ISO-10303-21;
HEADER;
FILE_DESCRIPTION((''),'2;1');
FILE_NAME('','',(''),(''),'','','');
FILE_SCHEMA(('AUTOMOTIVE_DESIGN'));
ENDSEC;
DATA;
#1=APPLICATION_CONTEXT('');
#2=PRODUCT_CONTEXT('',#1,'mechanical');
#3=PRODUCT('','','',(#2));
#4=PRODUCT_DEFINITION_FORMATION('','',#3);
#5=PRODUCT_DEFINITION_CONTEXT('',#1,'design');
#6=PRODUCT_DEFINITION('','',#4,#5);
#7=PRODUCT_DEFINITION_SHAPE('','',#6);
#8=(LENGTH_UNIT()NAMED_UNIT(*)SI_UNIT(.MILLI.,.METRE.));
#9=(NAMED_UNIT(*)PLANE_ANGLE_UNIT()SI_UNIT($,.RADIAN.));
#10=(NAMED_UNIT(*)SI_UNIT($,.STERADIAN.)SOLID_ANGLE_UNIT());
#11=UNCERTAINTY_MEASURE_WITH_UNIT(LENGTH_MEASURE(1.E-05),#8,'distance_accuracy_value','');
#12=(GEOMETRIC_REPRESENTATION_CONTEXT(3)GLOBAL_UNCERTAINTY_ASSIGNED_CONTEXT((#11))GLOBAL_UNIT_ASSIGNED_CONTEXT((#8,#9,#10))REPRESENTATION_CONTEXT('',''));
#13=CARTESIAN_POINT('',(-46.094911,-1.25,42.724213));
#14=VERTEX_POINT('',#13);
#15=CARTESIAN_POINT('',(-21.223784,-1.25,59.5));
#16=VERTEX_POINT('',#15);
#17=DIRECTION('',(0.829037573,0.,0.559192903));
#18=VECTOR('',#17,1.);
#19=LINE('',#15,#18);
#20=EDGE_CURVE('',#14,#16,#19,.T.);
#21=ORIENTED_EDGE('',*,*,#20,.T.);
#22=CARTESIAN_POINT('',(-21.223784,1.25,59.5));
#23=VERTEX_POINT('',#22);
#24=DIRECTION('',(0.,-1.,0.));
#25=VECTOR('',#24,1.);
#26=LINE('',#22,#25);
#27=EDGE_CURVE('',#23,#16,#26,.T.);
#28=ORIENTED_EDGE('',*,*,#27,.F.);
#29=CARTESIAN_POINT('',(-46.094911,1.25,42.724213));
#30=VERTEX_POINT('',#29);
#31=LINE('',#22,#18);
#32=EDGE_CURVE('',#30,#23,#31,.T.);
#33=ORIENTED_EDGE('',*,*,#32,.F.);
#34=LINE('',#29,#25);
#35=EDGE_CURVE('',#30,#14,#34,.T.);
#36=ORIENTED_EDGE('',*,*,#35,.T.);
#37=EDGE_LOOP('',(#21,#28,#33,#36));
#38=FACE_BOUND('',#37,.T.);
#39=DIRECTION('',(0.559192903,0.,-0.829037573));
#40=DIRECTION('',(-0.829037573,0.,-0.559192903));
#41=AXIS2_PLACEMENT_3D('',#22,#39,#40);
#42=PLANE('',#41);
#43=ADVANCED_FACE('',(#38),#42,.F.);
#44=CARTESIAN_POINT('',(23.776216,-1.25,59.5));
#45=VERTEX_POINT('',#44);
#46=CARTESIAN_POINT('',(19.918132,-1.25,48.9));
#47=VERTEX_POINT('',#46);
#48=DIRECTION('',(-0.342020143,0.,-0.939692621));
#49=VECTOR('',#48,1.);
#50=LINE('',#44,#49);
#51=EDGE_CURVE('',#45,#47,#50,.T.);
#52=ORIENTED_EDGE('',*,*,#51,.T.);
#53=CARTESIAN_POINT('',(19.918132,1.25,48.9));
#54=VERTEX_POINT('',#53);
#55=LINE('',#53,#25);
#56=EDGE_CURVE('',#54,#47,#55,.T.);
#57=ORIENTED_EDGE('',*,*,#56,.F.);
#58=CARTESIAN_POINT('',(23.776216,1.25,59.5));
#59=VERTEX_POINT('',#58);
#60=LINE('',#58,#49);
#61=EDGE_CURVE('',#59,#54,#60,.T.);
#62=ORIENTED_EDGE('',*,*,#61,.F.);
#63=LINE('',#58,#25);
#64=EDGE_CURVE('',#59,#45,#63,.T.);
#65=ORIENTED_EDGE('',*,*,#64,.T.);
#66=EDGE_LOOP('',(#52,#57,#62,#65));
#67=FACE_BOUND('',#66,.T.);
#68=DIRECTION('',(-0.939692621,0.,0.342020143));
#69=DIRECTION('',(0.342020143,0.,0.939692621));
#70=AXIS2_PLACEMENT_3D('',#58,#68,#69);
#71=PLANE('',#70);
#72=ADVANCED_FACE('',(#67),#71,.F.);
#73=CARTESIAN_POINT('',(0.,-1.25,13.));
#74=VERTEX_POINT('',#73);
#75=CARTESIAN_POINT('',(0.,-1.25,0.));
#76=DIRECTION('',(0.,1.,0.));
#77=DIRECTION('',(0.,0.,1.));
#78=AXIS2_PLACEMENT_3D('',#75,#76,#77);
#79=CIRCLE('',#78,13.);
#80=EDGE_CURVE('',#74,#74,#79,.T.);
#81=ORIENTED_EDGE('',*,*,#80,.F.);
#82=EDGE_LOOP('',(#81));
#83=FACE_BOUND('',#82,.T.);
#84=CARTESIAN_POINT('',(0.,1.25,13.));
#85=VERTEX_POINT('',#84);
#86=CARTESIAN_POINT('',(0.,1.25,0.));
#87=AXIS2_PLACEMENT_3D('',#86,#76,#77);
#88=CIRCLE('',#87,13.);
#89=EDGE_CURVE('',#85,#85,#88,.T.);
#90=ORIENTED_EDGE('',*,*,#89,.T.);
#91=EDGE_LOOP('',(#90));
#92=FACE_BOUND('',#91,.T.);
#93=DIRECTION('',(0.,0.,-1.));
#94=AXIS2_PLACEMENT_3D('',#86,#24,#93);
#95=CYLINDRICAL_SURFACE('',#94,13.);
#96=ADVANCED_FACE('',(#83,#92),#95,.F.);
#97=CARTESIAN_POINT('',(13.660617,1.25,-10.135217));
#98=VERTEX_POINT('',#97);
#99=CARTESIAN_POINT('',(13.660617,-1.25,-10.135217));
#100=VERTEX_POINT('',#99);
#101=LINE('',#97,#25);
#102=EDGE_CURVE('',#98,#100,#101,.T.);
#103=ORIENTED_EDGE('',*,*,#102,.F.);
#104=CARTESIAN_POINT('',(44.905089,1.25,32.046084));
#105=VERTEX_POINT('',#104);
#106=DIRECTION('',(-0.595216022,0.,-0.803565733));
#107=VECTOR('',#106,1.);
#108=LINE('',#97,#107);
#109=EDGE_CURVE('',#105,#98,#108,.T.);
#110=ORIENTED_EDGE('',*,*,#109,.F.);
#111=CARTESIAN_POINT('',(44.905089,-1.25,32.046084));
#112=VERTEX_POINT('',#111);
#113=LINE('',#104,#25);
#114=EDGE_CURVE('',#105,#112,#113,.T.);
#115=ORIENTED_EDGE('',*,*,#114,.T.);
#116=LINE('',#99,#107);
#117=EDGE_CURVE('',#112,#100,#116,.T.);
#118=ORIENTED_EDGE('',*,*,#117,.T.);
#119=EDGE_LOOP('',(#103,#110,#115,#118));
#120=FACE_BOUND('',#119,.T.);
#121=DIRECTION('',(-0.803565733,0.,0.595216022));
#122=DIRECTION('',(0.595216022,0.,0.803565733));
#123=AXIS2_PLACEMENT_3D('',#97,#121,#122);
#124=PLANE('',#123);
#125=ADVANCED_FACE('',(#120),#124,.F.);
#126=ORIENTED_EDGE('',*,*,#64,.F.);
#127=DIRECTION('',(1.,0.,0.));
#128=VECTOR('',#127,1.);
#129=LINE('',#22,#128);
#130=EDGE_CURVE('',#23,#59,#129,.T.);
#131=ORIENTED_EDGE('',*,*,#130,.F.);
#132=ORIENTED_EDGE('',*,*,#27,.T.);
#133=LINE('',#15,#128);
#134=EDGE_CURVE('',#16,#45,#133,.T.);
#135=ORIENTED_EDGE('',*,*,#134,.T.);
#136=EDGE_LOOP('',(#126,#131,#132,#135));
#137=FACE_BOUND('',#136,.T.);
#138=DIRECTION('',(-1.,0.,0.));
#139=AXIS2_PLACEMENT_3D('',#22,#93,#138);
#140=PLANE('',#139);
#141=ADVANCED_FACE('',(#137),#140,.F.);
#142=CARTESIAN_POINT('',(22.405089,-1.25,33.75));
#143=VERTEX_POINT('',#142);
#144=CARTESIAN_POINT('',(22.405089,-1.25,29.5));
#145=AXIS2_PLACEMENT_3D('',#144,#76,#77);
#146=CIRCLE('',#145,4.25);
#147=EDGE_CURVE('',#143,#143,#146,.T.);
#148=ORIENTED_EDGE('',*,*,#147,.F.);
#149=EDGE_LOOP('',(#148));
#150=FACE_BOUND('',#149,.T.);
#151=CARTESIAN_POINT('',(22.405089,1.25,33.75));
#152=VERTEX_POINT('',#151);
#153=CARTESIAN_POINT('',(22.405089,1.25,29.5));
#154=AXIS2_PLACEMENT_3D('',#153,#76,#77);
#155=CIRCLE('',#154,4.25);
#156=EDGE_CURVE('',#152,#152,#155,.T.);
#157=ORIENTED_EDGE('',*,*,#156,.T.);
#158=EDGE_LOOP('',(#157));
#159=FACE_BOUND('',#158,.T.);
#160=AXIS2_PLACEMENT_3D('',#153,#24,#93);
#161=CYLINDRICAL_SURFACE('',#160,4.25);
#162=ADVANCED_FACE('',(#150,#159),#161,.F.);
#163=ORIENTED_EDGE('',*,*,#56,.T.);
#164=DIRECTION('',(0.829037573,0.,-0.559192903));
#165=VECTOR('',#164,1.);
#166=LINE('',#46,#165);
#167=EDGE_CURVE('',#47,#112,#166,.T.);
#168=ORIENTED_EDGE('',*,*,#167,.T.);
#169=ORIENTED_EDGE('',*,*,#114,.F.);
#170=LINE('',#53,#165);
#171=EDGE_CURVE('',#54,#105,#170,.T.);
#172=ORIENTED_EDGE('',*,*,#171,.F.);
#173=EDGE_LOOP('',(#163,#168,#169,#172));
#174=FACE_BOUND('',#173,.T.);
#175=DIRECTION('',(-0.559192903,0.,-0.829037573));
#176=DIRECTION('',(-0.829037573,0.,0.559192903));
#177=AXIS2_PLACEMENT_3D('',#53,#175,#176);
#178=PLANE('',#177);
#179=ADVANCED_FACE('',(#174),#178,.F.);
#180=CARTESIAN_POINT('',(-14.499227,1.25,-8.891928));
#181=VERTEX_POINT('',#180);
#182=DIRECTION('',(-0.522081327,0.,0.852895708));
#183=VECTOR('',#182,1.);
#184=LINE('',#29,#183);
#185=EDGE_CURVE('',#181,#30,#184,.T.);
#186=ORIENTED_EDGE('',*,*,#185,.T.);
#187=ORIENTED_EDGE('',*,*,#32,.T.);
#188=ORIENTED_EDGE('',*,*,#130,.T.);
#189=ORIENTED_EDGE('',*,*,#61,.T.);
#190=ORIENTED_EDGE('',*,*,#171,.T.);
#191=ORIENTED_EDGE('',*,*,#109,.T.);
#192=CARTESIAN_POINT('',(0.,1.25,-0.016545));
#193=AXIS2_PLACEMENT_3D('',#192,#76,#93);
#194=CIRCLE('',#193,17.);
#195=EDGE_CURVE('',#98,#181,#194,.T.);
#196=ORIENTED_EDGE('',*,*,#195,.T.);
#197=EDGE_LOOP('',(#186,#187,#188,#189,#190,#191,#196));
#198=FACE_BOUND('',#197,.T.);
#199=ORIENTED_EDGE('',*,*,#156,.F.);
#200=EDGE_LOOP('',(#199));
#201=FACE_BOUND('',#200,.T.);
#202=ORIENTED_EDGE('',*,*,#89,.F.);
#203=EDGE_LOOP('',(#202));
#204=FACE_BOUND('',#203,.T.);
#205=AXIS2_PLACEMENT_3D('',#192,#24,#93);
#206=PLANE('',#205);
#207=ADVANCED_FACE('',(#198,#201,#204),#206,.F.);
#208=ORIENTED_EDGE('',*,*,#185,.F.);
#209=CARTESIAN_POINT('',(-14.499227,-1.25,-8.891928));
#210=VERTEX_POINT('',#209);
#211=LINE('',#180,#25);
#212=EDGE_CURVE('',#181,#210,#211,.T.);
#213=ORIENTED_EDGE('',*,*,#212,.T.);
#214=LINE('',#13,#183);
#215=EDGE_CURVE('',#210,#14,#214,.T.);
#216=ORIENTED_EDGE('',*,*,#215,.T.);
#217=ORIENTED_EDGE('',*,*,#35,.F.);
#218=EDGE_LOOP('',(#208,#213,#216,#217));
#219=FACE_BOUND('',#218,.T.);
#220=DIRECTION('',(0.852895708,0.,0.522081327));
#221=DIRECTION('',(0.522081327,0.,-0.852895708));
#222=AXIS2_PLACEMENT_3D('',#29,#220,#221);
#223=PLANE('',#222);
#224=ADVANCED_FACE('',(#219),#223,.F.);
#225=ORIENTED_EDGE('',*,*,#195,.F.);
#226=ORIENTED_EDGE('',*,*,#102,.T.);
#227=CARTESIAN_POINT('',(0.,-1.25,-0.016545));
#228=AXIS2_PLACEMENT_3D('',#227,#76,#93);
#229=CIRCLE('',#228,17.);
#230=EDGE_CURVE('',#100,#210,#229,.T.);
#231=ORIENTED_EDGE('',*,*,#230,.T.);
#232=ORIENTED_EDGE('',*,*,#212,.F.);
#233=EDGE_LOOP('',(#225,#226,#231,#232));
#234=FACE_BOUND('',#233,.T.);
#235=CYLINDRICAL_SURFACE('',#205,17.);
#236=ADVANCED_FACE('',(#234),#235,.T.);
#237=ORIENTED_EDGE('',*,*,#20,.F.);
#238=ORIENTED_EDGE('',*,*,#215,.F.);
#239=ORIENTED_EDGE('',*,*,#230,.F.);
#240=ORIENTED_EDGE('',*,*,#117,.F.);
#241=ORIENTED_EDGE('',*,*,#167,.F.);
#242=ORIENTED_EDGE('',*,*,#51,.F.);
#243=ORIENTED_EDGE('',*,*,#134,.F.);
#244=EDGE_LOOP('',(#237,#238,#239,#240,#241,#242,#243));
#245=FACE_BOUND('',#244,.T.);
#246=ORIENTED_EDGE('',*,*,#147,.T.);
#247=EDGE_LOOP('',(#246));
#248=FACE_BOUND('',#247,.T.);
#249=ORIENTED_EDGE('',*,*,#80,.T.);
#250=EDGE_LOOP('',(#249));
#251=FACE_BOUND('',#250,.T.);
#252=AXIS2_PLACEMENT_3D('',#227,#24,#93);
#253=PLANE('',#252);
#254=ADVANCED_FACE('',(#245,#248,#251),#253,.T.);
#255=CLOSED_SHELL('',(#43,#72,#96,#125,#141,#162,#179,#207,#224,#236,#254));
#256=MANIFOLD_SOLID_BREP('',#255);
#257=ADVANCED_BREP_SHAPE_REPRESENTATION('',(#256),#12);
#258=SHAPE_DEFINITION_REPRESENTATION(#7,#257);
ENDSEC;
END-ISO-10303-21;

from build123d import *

# Parameters (mm, degrees)
SKETCH1_R           = 13
SKETCH1_R_2         = 4.25
BOSS_EXTRUDE1_DEPTH = 1.25


with BuildPart() as part:
    # Sketch1 → Boss-Extrude1 (new body, symmetric)
    with BuildSketch(Plane(origin=(0, 0, 0), x_dir=(1, 0, 0), z_dir=(0, 1, 0))):
        with BuildLine():
            Line((-21.223783798, -59.5), (23.776216202, -59.5))
            Line((23.776216202, -59.5), (19.918131719, -48.9))
            Line((19.918131719, -48.9), (44.905089026, -32.046084487))
            Line((44.905089026, -32.046084487), (13.660617354, 10.13521746))
            ThreePointArc((13.660617354, 10.13521746), (-0.749839352, 17), (-14.499227131, 8.891927633))
            Line((-14.499227131, 8.891927633), (-46.094910974, -42.724212896))
            Line((-46.094910974, -42.724212896), (-21.223783798, -59.5))
        make_face()
        Circle(SKETCH1_R, mode=Mode.SUBTRACT)
        with Locations((22.405089026, -29.5)):
            Circle(SKETCH1_R_2, mode=Mode.SUBTRACT)
    extrude(amount=BOSS_EXTRUDE1_DEPTH, both=True)


solid = part.part
